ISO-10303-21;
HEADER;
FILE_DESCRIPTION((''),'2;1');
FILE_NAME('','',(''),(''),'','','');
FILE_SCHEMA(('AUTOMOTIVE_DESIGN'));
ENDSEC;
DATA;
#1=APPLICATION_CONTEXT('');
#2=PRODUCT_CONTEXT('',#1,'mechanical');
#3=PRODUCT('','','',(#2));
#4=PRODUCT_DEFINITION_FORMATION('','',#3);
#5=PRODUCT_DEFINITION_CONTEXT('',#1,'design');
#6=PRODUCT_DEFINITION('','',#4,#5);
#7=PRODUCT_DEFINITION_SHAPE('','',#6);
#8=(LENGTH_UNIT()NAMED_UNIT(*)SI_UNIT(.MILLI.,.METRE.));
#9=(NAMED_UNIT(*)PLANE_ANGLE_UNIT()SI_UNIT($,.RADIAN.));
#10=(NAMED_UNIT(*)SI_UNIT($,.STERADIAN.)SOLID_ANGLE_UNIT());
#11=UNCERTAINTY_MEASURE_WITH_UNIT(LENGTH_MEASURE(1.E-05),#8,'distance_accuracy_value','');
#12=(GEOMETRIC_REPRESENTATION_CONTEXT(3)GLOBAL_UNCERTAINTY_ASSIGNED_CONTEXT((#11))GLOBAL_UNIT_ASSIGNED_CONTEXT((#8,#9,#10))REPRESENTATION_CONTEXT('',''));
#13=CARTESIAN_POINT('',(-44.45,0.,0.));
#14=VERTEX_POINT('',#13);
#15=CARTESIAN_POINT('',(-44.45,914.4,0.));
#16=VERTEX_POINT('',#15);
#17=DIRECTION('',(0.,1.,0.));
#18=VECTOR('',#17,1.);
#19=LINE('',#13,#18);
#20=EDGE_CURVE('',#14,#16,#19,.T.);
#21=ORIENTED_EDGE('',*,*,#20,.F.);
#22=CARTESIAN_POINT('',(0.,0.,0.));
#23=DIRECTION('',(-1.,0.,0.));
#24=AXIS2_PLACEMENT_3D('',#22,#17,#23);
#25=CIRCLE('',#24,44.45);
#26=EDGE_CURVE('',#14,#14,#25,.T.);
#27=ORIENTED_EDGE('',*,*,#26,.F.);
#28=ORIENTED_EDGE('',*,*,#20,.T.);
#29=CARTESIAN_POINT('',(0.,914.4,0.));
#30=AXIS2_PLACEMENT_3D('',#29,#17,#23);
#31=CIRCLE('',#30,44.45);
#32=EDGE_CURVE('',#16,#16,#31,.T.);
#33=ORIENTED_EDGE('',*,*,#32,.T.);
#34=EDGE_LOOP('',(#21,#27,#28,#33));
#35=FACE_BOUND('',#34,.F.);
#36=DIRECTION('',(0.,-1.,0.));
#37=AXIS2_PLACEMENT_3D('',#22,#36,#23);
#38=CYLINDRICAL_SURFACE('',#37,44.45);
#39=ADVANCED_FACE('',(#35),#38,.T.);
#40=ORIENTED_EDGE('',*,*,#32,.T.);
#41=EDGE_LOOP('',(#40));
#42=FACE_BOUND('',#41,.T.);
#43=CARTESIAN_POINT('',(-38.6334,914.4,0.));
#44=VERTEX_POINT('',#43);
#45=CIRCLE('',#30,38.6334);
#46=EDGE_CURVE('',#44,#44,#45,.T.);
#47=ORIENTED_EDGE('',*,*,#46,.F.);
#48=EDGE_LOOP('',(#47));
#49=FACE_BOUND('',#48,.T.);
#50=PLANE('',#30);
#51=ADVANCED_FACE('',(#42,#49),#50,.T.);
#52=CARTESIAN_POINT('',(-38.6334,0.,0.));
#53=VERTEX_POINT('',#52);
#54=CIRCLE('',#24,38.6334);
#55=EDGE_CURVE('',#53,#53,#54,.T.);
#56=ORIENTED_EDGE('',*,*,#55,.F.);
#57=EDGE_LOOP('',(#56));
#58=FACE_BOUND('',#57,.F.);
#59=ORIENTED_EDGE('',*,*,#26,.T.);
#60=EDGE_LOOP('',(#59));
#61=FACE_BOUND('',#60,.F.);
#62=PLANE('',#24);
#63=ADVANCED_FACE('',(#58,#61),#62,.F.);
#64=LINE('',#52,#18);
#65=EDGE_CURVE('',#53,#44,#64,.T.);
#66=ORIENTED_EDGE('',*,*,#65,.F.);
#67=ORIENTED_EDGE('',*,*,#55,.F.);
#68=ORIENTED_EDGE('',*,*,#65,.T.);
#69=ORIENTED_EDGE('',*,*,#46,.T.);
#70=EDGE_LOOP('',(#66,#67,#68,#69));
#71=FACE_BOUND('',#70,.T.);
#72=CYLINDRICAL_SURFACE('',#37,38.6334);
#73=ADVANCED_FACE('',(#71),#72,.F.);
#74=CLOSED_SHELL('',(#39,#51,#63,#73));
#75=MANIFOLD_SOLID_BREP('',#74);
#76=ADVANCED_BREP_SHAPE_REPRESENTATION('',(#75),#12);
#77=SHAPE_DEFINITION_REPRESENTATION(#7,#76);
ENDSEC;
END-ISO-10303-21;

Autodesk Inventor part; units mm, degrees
ref_plane "YZ Plane" through (0, 0, 0) normal (1, 0, 0) x (0, 1, 0)
ref_plane "XZ Plane" through (0, 0, 0) normal (0, 1, 0) x (-1, 0, 0)
sketch "Sketch1" plane through (0, 0, 0) normal (0, 1, 0) x (-1, 0, 0)
  circle A0 centre (0, 0) radius 44.45
  circle A1 centre (0, 0) radius 38.6334
  dimension "d0" = 88.9
  dimension "d1" = 77.2668
extrude "Extrusion1" add sketch "Sketch1" along normal blind 914.4
ref_plane "Work Plane1" through (0, 914.4, 0) normal (0, 1, 0) x (1, 0, 0)
ref_plane "Work Plane3" through (0, 685.8, 0) normal (0, 1, 0) x (1, 0, 0)
ref_plane "Work Plane2" through (0, 457.2, 0) normal (0, 1, 0) x (1, 0, 0)
sketch "Sketch2" plane through (0, 914.4, 0) normal (0, 1, 0) x (1, 0, 0)
  line L0 (-49.0726, -48.8385) -> (49.0335, -48.8385)
  point P0 (0, 0)
ref_plane "Work Plane4" through (-49.0726, 914.4, 48.8385) normal (0, 0, 1) x (1, 0, 0)
properties part number "3FT-SCH40-PVC"
